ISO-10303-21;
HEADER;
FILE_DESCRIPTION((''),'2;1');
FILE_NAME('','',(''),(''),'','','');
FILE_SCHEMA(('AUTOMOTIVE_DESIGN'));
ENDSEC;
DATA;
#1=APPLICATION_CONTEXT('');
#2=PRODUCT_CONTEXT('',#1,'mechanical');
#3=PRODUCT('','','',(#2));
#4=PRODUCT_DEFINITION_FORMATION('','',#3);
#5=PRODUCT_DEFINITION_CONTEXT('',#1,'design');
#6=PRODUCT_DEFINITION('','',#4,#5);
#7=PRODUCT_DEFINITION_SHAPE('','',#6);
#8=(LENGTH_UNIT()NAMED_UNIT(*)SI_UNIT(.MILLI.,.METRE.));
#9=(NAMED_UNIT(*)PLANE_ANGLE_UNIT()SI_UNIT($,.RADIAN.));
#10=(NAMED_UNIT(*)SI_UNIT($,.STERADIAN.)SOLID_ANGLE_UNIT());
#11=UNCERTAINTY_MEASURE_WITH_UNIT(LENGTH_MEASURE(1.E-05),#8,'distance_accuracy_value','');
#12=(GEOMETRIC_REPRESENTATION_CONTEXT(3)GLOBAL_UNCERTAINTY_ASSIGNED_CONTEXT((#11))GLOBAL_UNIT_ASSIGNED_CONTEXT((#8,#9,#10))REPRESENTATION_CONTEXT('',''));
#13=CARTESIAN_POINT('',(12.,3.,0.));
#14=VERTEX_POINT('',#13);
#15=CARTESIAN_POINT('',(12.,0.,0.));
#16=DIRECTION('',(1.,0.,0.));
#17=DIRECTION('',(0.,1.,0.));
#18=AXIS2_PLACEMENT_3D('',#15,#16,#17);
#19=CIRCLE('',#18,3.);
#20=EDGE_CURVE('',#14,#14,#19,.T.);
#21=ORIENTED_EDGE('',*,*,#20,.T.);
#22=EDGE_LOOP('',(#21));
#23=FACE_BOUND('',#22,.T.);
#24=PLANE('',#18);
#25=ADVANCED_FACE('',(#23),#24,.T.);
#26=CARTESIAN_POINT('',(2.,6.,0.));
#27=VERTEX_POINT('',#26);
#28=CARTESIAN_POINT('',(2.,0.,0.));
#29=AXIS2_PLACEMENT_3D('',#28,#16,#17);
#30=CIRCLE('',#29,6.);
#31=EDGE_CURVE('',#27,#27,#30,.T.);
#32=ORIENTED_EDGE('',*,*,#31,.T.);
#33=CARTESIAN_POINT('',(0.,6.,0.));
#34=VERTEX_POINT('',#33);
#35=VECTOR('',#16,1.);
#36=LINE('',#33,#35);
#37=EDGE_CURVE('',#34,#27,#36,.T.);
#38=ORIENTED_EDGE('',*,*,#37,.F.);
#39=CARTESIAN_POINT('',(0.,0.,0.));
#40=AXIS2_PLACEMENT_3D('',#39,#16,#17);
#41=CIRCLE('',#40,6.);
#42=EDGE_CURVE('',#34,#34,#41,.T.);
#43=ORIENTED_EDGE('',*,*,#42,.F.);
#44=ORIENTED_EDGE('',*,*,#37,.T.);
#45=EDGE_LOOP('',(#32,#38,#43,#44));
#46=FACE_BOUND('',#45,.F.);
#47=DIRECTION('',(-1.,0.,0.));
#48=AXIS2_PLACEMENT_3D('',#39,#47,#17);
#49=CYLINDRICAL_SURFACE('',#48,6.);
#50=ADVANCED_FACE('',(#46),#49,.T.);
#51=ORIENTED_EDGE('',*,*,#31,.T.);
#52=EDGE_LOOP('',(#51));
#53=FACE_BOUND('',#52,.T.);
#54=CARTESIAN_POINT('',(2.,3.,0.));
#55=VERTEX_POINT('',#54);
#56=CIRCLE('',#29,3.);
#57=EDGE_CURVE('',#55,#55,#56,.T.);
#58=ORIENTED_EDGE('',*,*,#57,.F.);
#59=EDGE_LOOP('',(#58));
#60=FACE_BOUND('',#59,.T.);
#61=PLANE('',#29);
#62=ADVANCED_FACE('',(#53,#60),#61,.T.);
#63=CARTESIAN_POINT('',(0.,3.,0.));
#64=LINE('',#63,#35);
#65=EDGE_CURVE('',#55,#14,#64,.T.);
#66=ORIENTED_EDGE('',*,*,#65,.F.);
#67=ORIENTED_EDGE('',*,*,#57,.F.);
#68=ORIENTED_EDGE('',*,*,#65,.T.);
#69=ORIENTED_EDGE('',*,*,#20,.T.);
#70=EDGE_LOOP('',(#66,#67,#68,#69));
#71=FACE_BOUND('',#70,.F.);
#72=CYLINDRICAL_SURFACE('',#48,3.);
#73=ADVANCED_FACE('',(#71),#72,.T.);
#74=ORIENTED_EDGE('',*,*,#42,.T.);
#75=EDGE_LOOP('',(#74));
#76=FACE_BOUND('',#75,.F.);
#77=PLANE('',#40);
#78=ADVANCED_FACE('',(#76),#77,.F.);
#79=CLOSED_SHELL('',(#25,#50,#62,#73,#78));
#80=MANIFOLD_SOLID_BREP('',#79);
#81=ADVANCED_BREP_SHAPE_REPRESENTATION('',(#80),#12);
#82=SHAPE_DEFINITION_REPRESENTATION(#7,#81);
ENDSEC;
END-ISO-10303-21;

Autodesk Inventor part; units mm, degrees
ref_plane "YZ Plane" through (0, 0, 0) normal (1, 0, 0) x (0, 1, 0)
ref_plane "XZ Plane" through (0, 0, 0) normal (0, 1, 0) x (-1, 0, 0)
ref_plane "XY Plane" through (0, 0, 0) normal (0, 0, 1) x (1, 0, 0)
sketch "Sketch1" plane through (0, 0, 0) normal (1, 0, 0) x (0, 1, 0)
  circle A0 centre (0, 0) radius 6
  circle A1 centre (0, 0) radius 3
  dimension "d0" = 12
  dimension "d1" = 6
extrude "Extrusion1" add sketch "Sketch1" along normal blind 12 contours A1
extrude "Extrusion2" add sketch "Sketch1" along normal blind 2
properties part number "pin_CPY1" material "Stainless Steel"
